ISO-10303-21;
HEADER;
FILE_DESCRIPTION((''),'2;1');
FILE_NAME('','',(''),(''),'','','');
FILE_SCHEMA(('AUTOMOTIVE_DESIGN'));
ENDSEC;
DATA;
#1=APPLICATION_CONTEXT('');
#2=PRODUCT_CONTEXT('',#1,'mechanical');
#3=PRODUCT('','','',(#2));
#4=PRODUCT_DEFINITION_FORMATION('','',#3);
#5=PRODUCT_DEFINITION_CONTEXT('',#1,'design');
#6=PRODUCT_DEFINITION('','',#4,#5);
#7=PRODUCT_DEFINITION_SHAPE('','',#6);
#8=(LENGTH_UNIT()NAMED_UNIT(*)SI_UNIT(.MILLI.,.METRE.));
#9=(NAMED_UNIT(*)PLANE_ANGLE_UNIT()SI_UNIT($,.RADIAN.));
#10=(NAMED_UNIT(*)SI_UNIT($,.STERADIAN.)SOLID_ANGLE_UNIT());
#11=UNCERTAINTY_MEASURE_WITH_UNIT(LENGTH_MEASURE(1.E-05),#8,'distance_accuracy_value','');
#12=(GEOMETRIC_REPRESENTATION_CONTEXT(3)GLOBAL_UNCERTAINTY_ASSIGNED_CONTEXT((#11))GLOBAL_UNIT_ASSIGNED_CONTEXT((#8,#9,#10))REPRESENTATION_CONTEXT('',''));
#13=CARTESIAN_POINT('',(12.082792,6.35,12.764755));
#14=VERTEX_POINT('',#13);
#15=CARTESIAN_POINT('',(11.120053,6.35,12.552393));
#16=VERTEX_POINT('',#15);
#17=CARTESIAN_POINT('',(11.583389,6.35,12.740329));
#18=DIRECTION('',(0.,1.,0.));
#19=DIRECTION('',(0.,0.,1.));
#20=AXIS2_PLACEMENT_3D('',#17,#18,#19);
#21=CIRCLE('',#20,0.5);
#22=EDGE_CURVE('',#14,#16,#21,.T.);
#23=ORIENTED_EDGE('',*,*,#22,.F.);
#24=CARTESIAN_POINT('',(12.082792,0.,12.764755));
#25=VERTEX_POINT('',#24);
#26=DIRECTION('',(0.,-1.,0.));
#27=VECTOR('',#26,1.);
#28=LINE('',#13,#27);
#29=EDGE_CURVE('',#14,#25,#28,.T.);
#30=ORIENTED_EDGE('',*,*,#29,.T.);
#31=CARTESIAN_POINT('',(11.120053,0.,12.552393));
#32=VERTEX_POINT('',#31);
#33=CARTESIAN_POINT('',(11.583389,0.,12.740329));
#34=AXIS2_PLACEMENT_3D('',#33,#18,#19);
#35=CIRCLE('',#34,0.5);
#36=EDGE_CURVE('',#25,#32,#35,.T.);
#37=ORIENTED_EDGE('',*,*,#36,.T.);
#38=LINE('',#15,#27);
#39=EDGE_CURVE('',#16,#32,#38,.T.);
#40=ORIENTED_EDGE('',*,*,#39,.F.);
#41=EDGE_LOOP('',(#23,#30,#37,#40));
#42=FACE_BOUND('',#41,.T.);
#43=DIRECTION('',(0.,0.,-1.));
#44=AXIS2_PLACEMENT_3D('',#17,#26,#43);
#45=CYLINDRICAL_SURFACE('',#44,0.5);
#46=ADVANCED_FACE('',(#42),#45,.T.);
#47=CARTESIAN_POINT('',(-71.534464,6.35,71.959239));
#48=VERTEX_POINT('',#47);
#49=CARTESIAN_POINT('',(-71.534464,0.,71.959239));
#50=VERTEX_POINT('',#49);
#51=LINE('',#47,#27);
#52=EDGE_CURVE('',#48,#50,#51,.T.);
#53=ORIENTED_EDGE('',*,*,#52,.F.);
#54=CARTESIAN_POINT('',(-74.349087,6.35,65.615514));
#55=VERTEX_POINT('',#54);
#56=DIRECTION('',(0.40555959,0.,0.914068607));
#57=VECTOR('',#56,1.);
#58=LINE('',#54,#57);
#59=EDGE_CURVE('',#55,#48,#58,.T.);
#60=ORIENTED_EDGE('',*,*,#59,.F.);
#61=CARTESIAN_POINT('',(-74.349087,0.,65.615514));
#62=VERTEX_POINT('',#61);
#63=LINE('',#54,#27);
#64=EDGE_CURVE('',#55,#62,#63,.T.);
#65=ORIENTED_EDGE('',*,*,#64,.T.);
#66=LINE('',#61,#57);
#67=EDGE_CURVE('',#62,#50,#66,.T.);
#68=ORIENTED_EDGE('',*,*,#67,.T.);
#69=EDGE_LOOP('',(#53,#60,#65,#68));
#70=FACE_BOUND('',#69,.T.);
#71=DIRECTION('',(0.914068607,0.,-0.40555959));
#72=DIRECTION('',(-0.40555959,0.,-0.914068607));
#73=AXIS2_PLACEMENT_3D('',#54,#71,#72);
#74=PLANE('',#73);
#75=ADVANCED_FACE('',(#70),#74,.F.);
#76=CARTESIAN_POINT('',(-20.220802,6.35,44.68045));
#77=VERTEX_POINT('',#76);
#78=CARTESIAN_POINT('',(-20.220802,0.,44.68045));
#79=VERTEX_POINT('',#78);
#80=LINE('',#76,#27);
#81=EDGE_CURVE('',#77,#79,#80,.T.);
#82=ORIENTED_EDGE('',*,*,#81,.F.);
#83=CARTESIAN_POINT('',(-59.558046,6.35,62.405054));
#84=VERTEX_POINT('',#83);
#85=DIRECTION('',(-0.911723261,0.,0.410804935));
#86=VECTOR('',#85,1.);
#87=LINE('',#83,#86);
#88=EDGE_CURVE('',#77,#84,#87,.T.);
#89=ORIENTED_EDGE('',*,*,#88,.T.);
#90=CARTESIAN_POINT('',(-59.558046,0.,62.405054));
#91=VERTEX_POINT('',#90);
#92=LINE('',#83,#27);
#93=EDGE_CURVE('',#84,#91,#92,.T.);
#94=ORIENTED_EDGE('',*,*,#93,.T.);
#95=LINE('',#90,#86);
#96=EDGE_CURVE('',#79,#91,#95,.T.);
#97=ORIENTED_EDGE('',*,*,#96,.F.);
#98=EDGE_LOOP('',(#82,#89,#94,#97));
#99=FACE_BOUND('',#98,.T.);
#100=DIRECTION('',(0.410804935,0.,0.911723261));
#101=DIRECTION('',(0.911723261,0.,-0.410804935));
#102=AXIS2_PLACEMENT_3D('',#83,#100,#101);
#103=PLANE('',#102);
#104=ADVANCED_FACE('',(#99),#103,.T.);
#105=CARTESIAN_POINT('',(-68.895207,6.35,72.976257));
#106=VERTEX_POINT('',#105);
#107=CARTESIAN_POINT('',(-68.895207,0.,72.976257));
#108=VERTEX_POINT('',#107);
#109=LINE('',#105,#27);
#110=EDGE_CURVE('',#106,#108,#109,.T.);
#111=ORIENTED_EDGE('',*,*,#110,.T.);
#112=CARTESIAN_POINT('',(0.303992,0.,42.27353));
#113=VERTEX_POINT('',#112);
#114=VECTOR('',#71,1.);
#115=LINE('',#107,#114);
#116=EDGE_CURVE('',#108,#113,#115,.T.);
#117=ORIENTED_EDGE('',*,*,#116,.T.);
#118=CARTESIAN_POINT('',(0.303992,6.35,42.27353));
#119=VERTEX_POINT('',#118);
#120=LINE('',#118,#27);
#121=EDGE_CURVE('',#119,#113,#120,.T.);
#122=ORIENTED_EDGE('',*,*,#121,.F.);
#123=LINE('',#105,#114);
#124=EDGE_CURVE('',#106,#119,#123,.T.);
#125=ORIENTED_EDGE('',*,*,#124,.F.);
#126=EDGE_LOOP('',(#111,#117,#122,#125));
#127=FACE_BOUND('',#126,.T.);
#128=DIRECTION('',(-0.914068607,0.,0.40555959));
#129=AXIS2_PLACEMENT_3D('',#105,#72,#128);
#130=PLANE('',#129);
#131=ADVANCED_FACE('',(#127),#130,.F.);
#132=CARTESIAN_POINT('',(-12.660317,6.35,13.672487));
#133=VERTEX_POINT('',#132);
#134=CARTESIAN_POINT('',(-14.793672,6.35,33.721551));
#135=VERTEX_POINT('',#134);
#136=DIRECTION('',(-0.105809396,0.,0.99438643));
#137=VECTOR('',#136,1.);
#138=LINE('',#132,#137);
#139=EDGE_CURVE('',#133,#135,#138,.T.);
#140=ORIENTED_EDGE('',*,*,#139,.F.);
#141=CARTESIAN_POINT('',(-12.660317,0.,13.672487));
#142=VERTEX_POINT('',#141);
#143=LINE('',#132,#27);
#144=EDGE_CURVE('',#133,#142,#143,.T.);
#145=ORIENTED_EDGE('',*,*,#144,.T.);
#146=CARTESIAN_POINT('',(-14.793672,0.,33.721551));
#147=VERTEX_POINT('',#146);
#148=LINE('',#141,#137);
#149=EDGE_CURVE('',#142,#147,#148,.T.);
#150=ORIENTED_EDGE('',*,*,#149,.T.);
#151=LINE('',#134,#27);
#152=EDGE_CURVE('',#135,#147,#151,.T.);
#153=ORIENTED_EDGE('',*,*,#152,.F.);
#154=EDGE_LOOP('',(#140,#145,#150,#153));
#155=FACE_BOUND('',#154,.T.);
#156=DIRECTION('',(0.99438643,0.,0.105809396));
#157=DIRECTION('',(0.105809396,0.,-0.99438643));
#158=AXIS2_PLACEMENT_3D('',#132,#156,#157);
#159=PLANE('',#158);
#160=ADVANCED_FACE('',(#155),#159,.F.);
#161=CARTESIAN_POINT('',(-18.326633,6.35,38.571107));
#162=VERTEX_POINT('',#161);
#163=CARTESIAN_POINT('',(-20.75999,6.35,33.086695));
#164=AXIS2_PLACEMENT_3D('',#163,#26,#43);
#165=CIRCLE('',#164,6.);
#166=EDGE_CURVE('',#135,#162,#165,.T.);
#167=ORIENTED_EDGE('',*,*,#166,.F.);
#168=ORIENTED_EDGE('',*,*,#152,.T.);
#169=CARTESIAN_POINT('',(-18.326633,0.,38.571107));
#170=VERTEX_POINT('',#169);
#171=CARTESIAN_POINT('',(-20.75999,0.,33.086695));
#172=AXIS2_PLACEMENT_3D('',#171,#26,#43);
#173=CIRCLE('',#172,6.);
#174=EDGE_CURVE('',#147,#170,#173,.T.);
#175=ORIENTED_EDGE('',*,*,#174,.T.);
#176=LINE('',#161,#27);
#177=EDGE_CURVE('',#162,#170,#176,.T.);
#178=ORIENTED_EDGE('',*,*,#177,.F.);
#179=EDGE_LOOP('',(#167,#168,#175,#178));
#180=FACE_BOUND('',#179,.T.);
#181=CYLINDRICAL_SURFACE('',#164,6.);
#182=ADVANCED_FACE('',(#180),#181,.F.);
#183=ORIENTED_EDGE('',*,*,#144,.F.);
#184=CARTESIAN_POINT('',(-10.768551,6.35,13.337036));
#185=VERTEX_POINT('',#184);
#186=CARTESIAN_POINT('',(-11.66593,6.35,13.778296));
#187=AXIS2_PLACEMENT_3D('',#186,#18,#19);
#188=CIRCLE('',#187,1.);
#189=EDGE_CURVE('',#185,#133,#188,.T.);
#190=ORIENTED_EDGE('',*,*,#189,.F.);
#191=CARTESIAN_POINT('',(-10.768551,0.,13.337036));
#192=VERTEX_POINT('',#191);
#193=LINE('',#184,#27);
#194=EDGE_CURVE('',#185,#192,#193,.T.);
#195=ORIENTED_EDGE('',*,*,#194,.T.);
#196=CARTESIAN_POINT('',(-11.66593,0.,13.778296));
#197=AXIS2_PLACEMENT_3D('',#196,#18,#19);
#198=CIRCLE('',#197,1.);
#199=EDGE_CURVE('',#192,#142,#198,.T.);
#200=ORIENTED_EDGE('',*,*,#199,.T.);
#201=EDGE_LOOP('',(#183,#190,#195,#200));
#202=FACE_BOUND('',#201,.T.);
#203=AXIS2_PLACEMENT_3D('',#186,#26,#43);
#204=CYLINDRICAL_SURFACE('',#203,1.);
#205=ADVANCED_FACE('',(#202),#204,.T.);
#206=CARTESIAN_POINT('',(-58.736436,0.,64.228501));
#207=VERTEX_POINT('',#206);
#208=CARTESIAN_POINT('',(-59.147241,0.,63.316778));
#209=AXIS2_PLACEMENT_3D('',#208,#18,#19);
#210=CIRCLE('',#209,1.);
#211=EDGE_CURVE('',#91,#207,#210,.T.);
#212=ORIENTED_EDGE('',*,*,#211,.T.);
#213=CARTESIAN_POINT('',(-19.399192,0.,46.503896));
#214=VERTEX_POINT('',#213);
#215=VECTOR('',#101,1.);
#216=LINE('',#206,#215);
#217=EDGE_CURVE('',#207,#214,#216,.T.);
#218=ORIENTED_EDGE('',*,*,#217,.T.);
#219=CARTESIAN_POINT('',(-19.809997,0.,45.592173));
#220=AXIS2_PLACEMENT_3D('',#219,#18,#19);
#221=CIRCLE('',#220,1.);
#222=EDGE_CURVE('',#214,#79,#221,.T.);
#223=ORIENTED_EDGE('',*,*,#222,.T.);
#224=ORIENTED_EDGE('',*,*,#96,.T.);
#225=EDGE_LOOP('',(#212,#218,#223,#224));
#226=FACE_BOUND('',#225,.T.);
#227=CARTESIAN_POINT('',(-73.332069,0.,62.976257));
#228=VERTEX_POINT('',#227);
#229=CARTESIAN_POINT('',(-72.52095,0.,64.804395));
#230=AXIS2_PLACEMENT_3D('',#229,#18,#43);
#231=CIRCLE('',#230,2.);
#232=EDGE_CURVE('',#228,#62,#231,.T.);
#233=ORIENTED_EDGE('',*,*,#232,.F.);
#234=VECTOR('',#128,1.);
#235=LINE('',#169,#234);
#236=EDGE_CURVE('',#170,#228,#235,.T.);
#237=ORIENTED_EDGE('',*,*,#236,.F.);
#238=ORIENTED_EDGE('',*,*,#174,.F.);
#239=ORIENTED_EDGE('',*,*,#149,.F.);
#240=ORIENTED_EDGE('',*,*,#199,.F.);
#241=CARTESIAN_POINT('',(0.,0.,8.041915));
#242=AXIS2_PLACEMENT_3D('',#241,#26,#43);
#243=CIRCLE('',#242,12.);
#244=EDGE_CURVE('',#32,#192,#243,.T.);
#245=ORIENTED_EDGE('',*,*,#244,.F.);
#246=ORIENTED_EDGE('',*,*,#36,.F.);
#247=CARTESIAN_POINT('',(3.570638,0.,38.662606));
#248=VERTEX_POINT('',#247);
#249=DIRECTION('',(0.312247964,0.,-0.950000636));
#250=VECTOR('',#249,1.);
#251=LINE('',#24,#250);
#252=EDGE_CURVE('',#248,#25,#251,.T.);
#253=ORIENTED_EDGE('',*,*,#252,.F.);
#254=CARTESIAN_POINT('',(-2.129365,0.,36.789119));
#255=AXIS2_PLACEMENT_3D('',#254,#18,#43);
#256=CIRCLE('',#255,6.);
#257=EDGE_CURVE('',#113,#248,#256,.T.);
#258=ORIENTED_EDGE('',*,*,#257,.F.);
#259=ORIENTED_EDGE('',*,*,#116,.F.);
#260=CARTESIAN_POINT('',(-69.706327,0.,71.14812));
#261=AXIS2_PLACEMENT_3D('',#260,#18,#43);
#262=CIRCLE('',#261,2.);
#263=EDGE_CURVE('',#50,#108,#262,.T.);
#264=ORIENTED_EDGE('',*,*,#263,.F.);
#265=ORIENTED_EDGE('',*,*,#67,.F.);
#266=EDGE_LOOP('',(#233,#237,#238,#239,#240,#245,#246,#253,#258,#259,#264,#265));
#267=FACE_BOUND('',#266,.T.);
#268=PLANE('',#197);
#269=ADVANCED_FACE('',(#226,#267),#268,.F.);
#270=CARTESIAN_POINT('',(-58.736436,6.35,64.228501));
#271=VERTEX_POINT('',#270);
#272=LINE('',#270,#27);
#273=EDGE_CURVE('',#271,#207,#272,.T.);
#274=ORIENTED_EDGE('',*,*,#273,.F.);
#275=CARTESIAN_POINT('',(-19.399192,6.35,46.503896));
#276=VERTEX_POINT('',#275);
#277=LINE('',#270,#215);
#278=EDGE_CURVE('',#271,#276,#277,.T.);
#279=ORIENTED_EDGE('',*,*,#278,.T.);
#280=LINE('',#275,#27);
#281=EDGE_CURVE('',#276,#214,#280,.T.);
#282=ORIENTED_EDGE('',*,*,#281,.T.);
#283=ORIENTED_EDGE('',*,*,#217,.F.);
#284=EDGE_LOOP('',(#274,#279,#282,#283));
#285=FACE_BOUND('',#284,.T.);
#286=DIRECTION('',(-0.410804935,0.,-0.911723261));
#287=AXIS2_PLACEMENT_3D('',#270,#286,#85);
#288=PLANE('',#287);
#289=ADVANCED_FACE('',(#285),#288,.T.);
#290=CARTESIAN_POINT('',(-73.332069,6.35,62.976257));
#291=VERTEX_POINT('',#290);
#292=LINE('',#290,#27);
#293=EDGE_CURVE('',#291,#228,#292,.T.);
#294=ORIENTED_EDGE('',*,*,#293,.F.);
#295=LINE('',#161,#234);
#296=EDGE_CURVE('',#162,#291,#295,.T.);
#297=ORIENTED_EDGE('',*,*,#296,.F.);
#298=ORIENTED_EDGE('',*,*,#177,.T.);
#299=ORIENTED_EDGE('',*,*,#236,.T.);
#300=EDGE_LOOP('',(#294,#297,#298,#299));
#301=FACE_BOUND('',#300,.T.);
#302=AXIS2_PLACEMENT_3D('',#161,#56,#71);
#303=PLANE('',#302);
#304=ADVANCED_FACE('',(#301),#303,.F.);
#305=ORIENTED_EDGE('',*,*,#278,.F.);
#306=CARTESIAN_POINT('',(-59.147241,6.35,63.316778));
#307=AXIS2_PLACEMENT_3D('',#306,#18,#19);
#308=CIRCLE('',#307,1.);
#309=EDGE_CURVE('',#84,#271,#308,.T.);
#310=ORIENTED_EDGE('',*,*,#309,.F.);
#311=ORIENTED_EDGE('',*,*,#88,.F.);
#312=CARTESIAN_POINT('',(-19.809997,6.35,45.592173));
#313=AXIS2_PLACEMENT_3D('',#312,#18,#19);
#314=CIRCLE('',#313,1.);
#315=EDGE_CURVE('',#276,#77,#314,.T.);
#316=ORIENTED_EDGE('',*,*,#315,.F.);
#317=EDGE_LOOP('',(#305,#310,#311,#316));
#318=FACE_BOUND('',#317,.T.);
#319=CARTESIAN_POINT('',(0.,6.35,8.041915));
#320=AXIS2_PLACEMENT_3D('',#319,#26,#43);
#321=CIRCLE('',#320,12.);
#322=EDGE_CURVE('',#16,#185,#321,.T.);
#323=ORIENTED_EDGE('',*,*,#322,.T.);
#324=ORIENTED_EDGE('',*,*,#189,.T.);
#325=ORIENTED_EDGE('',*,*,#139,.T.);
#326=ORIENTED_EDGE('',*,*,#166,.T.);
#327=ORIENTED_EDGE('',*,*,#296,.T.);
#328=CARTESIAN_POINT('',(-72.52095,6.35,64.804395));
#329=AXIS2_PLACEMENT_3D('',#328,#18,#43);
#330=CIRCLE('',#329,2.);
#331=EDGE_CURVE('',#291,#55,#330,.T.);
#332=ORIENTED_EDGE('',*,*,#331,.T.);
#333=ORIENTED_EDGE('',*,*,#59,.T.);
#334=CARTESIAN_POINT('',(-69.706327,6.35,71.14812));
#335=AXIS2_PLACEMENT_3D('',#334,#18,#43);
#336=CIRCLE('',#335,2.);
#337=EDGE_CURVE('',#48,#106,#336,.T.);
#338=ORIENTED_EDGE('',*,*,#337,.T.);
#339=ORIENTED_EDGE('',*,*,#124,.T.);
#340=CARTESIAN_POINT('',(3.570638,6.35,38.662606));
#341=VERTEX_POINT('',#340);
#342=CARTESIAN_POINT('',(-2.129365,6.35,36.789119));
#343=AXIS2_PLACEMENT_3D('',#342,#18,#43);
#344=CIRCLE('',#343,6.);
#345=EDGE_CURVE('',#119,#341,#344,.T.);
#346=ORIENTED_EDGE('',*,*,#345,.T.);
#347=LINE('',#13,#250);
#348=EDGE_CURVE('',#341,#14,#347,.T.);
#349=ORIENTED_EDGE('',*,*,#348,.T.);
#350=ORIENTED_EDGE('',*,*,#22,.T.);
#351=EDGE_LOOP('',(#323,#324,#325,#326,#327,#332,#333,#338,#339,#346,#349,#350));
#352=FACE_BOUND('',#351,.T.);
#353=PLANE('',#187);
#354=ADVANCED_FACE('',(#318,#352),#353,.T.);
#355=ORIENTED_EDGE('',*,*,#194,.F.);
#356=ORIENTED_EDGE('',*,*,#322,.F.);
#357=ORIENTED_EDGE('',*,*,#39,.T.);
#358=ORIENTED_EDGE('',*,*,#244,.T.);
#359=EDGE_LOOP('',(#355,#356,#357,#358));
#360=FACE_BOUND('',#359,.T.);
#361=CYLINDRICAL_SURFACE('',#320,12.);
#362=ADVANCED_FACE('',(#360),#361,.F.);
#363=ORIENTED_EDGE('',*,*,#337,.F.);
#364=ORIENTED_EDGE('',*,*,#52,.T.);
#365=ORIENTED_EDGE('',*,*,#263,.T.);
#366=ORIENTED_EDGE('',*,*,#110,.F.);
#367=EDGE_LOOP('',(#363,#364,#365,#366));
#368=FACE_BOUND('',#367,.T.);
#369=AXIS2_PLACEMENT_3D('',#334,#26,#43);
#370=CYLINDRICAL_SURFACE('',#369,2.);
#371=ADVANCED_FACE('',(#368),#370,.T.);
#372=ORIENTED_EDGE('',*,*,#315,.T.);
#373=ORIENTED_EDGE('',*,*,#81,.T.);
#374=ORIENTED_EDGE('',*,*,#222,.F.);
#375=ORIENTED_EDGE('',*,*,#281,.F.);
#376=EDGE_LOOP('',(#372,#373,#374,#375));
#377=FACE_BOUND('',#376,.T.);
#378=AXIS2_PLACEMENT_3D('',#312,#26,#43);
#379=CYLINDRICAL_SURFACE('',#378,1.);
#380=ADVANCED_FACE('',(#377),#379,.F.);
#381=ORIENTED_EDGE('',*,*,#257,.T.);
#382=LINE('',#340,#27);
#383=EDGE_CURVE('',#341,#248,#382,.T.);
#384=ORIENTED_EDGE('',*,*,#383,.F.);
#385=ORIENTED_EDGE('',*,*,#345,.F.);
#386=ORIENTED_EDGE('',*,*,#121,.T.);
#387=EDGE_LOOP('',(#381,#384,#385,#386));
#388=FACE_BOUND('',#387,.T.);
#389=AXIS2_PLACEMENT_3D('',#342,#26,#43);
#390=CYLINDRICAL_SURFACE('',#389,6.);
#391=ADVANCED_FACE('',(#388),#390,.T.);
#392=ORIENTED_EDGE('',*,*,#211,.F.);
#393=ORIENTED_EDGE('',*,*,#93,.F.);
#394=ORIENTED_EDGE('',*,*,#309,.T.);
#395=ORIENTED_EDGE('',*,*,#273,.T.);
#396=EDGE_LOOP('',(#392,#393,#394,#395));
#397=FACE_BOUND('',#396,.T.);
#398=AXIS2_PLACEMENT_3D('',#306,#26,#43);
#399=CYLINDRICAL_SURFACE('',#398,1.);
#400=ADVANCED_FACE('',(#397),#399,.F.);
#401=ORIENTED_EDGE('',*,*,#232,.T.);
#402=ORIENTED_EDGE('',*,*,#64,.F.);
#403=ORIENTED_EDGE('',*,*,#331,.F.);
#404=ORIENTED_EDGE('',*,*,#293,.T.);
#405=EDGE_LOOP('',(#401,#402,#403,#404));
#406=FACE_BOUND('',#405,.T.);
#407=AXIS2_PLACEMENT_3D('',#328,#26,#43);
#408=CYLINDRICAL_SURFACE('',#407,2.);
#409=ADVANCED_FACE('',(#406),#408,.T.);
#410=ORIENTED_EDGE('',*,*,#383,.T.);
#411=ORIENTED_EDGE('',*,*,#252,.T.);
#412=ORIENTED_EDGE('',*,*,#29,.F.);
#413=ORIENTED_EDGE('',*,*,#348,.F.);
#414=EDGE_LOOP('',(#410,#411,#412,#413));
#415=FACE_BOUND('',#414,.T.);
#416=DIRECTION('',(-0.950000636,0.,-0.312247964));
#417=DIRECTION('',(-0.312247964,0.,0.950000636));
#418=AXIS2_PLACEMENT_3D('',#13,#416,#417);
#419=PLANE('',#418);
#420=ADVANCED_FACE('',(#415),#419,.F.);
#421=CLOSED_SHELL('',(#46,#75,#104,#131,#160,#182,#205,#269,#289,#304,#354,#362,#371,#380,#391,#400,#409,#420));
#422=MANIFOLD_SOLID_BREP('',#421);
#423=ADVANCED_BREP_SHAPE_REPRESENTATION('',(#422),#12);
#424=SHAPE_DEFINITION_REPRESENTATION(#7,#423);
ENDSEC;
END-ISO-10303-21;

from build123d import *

# Parameters (mm, degrees)
BOSS_EXTRUDE1_DEPTH = 6.35


with BuildPart() as part:
    # Sketch1 → Boss-Extrude1 (new body)
    with BuildSketch(Plane(origin=(0, 0, 0), x_dir=(1, 0, 0), z_dir=(0, 1, 0))):
        with BuildLine():
            Line((-12.660316566, -13.672486937), (-14.793671701, -33.72155142))
            ThreePointArc((-14.793671701, -33.72155142), (-15.910435011, -36.619656083), (-18.326632738, -38.571106689))
            Line((-18.326632738, -38.571106689), (-73.332068985, -62.976257477))
            ThreePointArc((-73.332068985, -62.976257477), (-74.387185899, -64.085254343), (-74.349087019, -65.615513872))
            Line((-74.349087019, -65.615513872), (-71.53446378, -71.959239443))
            ThreePointArc((-71.53446378, -71.959239443), (-70.425466914, -73.014356356), (-68.895207385, -72.976257477))
            Line((-68.895207385, -72.976257477), (0.303992163, -42.273530354))
            ThreePointArc((0.303992163, -42.273530354), (2.320082288, -40.814341122), (3.57063844, -38.662606492))
            Line((3.57063844, -38.662606492), (12.082791936, -12.764755482))
            ThreePointArc((12.082791936, -12.764755482), (11.691090758, -12.25206691), (11.120053366, -12.552392867))
            ThreePointArc((11.120053366, -12.552392867), (0.429889276, -20.034212045), (-10.768550895, -13.337036209))
            ThreePointArc((-10.768550895, -13.337036209), (-11.84052795, -12.793656499), (-12.660316566, -13.672486937))
        make_face()
        with BuildLine():
            Line((-59.558046082, -62.405054335), (-20.220801555, -44.680449865))
            ThreePointArc((-20.220801555, -44.680449865), (-18.898273358, -45.181368191), (-19.399191684, -46.503896387))
            Line((-19.399191684, -46.503896387), (-58.736436211, -64.228500857))
            ThreePointArc((-58.736436211, -64.228500857), (-60.058964408, -63.727582531), (-59.558046082, -62.405054335))
        make_face(mode=Mode.SUBTRACT)
    extrude(amount=BOSS_EXTRUDE1_DEPTH)


solid = part.part
